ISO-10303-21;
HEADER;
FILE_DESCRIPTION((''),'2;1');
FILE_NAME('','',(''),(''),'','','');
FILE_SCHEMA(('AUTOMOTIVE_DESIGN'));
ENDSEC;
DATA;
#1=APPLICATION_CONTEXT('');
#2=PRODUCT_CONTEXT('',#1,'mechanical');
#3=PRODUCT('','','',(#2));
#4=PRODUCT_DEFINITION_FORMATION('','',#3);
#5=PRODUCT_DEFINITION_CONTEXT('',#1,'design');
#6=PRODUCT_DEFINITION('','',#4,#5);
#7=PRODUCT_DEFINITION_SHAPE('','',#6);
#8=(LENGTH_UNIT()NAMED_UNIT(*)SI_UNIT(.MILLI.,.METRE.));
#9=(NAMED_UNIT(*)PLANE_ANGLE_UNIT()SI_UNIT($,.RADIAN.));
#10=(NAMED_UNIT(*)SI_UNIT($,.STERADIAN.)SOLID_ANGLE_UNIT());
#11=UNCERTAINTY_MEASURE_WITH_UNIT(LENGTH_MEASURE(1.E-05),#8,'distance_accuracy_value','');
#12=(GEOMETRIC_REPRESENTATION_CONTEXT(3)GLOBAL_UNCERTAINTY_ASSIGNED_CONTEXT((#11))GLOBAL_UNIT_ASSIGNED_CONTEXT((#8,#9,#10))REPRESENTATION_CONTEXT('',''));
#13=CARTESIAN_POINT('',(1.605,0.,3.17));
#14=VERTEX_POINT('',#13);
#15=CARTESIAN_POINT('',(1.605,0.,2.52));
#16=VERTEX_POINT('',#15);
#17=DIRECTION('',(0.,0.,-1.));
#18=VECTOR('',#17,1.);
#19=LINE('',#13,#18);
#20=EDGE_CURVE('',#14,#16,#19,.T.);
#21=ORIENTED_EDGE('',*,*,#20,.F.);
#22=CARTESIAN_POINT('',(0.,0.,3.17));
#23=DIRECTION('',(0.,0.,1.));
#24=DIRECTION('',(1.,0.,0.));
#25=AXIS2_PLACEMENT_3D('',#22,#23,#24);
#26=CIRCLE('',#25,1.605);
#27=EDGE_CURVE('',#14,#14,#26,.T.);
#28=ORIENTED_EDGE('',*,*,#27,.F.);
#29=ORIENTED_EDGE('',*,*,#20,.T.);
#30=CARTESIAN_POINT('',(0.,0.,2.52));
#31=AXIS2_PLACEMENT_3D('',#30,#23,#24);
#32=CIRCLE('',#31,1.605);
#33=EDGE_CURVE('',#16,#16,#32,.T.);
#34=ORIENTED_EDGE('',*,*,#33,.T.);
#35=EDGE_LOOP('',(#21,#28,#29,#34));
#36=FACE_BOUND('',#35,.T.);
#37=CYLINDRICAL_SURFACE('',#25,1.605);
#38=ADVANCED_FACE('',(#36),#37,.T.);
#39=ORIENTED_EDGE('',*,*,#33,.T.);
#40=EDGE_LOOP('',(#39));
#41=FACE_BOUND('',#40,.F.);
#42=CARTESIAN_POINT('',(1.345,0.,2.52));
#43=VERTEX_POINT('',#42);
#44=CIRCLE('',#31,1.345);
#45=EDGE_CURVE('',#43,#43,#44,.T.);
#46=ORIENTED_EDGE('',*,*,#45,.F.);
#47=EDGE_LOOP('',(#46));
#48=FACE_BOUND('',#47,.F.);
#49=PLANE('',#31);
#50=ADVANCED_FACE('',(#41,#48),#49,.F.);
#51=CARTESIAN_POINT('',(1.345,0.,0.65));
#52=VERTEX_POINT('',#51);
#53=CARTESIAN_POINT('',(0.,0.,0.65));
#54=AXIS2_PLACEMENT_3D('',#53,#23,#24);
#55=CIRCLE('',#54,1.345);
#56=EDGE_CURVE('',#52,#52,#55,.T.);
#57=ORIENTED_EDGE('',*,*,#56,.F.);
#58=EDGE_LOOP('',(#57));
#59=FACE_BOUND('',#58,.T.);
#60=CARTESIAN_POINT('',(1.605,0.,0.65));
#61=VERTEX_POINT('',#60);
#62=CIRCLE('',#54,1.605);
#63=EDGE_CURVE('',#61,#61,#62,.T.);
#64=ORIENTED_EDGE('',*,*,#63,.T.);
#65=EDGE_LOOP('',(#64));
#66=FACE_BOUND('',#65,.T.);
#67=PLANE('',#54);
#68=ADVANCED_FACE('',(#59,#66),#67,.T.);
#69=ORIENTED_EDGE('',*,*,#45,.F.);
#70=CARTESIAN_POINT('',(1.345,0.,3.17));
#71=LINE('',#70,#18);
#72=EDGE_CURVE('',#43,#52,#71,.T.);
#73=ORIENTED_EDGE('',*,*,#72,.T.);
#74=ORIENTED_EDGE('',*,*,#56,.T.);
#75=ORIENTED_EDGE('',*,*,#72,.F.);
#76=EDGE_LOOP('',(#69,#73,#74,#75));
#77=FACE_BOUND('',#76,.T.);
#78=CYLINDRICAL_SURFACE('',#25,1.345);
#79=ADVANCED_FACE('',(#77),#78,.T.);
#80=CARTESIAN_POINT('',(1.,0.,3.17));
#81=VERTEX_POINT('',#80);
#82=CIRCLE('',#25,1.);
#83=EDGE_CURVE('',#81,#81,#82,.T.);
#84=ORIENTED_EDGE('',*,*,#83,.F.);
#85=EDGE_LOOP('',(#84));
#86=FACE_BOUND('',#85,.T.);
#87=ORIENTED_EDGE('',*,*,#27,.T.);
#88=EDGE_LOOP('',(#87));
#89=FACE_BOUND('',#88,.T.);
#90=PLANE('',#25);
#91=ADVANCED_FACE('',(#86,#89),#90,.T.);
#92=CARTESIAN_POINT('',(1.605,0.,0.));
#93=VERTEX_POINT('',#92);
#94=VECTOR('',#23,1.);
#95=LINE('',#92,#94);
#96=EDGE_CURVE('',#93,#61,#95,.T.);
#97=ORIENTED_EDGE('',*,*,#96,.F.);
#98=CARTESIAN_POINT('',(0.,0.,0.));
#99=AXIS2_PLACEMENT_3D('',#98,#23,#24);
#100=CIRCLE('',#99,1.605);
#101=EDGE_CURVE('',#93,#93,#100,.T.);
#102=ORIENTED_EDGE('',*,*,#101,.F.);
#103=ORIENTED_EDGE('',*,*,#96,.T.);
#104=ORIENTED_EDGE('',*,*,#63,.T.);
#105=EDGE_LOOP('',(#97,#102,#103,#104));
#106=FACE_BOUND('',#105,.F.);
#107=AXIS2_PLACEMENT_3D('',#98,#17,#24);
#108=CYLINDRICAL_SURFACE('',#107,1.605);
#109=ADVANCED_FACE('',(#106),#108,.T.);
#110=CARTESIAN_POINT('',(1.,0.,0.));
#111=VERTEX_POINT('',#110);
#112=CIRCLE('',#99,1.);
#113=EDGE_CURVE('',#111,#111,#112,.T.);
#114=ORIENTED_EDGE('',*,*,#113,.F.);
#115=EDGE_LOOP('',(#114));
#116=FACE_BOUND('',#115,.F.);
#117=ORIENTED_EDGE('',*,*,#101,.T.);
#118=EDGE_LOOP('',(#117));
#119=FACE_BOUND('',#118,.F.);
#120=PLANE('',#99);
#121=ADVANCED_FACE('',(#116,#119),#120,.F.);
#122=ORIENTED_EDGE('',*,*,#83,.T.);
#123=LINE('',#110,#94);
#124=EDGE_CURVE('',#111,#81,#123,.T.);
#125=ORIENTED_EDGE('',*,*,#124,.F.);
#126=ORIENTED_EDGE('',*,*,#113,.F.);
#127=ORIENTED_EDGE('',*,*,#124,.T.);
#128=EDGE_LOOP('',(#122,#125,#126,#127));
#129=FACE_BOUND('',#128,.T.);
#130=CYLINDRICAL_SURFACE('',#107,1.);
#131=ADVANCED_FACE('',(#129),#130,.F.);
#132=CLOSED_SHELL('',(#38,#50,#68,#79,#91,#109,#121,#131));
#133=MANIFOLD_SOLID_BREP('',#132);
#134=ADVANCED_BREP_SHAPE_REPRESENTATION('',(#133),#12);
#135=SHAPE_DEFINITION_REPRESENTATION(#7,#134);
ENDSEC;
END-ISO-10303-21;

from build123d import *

# Parameters (mm, degrees)
F0_R     = 1.605
F0_R_2   = 1
F1_DEPTH = 3.17
F2_R     = 1.605
F2_R_2   = 1.345
F3_DEPTH = 2.52
F4_R     = 1.605
F4_R_2   = 1.345
F5_DEPTH = 0.65
F7_DEPTH = 0.65


with BuildPart() as f1:
    # F0 (on Top) → F1 (new body)
    with BuildSketch(Plane.XY):
        Circle(F0_R)
        Circle(F0_R_2, mode=Mode.SUBTRACT)
    extrude(amount=F1_DEPTH)

    # F2 (on face) → F3 (cut)
    with BuildSketch(Plane.XY.offset(3.17)):
        Circle(F2_R)
        Circle(F2_R_2, mode=Mode.SUBTRACT)
    extrude(amount=-F3_DEPTH, mode=Mode.SUBTRACT)

    # F4 (on face) → F7 (join)
    with BuildSketch(Plane.XY.offset(3.17)):
        Circle(F4_R)
        Circle(F4_R_2, mode=Mode.SUBTRACT)
    extrude(amount=-F7_DEPTH)


with BuildPart() as f5:
    # F4 (on face) → F5 (new body)
    with BuildSketch(Plane.XY.offset(3.17)):
        Circle(F4_R)
        Circle(F4_R_2, mode=Mode.SUBTRACT)
    extrude(amount=-F5_DEPTH)


solid = f1.part
